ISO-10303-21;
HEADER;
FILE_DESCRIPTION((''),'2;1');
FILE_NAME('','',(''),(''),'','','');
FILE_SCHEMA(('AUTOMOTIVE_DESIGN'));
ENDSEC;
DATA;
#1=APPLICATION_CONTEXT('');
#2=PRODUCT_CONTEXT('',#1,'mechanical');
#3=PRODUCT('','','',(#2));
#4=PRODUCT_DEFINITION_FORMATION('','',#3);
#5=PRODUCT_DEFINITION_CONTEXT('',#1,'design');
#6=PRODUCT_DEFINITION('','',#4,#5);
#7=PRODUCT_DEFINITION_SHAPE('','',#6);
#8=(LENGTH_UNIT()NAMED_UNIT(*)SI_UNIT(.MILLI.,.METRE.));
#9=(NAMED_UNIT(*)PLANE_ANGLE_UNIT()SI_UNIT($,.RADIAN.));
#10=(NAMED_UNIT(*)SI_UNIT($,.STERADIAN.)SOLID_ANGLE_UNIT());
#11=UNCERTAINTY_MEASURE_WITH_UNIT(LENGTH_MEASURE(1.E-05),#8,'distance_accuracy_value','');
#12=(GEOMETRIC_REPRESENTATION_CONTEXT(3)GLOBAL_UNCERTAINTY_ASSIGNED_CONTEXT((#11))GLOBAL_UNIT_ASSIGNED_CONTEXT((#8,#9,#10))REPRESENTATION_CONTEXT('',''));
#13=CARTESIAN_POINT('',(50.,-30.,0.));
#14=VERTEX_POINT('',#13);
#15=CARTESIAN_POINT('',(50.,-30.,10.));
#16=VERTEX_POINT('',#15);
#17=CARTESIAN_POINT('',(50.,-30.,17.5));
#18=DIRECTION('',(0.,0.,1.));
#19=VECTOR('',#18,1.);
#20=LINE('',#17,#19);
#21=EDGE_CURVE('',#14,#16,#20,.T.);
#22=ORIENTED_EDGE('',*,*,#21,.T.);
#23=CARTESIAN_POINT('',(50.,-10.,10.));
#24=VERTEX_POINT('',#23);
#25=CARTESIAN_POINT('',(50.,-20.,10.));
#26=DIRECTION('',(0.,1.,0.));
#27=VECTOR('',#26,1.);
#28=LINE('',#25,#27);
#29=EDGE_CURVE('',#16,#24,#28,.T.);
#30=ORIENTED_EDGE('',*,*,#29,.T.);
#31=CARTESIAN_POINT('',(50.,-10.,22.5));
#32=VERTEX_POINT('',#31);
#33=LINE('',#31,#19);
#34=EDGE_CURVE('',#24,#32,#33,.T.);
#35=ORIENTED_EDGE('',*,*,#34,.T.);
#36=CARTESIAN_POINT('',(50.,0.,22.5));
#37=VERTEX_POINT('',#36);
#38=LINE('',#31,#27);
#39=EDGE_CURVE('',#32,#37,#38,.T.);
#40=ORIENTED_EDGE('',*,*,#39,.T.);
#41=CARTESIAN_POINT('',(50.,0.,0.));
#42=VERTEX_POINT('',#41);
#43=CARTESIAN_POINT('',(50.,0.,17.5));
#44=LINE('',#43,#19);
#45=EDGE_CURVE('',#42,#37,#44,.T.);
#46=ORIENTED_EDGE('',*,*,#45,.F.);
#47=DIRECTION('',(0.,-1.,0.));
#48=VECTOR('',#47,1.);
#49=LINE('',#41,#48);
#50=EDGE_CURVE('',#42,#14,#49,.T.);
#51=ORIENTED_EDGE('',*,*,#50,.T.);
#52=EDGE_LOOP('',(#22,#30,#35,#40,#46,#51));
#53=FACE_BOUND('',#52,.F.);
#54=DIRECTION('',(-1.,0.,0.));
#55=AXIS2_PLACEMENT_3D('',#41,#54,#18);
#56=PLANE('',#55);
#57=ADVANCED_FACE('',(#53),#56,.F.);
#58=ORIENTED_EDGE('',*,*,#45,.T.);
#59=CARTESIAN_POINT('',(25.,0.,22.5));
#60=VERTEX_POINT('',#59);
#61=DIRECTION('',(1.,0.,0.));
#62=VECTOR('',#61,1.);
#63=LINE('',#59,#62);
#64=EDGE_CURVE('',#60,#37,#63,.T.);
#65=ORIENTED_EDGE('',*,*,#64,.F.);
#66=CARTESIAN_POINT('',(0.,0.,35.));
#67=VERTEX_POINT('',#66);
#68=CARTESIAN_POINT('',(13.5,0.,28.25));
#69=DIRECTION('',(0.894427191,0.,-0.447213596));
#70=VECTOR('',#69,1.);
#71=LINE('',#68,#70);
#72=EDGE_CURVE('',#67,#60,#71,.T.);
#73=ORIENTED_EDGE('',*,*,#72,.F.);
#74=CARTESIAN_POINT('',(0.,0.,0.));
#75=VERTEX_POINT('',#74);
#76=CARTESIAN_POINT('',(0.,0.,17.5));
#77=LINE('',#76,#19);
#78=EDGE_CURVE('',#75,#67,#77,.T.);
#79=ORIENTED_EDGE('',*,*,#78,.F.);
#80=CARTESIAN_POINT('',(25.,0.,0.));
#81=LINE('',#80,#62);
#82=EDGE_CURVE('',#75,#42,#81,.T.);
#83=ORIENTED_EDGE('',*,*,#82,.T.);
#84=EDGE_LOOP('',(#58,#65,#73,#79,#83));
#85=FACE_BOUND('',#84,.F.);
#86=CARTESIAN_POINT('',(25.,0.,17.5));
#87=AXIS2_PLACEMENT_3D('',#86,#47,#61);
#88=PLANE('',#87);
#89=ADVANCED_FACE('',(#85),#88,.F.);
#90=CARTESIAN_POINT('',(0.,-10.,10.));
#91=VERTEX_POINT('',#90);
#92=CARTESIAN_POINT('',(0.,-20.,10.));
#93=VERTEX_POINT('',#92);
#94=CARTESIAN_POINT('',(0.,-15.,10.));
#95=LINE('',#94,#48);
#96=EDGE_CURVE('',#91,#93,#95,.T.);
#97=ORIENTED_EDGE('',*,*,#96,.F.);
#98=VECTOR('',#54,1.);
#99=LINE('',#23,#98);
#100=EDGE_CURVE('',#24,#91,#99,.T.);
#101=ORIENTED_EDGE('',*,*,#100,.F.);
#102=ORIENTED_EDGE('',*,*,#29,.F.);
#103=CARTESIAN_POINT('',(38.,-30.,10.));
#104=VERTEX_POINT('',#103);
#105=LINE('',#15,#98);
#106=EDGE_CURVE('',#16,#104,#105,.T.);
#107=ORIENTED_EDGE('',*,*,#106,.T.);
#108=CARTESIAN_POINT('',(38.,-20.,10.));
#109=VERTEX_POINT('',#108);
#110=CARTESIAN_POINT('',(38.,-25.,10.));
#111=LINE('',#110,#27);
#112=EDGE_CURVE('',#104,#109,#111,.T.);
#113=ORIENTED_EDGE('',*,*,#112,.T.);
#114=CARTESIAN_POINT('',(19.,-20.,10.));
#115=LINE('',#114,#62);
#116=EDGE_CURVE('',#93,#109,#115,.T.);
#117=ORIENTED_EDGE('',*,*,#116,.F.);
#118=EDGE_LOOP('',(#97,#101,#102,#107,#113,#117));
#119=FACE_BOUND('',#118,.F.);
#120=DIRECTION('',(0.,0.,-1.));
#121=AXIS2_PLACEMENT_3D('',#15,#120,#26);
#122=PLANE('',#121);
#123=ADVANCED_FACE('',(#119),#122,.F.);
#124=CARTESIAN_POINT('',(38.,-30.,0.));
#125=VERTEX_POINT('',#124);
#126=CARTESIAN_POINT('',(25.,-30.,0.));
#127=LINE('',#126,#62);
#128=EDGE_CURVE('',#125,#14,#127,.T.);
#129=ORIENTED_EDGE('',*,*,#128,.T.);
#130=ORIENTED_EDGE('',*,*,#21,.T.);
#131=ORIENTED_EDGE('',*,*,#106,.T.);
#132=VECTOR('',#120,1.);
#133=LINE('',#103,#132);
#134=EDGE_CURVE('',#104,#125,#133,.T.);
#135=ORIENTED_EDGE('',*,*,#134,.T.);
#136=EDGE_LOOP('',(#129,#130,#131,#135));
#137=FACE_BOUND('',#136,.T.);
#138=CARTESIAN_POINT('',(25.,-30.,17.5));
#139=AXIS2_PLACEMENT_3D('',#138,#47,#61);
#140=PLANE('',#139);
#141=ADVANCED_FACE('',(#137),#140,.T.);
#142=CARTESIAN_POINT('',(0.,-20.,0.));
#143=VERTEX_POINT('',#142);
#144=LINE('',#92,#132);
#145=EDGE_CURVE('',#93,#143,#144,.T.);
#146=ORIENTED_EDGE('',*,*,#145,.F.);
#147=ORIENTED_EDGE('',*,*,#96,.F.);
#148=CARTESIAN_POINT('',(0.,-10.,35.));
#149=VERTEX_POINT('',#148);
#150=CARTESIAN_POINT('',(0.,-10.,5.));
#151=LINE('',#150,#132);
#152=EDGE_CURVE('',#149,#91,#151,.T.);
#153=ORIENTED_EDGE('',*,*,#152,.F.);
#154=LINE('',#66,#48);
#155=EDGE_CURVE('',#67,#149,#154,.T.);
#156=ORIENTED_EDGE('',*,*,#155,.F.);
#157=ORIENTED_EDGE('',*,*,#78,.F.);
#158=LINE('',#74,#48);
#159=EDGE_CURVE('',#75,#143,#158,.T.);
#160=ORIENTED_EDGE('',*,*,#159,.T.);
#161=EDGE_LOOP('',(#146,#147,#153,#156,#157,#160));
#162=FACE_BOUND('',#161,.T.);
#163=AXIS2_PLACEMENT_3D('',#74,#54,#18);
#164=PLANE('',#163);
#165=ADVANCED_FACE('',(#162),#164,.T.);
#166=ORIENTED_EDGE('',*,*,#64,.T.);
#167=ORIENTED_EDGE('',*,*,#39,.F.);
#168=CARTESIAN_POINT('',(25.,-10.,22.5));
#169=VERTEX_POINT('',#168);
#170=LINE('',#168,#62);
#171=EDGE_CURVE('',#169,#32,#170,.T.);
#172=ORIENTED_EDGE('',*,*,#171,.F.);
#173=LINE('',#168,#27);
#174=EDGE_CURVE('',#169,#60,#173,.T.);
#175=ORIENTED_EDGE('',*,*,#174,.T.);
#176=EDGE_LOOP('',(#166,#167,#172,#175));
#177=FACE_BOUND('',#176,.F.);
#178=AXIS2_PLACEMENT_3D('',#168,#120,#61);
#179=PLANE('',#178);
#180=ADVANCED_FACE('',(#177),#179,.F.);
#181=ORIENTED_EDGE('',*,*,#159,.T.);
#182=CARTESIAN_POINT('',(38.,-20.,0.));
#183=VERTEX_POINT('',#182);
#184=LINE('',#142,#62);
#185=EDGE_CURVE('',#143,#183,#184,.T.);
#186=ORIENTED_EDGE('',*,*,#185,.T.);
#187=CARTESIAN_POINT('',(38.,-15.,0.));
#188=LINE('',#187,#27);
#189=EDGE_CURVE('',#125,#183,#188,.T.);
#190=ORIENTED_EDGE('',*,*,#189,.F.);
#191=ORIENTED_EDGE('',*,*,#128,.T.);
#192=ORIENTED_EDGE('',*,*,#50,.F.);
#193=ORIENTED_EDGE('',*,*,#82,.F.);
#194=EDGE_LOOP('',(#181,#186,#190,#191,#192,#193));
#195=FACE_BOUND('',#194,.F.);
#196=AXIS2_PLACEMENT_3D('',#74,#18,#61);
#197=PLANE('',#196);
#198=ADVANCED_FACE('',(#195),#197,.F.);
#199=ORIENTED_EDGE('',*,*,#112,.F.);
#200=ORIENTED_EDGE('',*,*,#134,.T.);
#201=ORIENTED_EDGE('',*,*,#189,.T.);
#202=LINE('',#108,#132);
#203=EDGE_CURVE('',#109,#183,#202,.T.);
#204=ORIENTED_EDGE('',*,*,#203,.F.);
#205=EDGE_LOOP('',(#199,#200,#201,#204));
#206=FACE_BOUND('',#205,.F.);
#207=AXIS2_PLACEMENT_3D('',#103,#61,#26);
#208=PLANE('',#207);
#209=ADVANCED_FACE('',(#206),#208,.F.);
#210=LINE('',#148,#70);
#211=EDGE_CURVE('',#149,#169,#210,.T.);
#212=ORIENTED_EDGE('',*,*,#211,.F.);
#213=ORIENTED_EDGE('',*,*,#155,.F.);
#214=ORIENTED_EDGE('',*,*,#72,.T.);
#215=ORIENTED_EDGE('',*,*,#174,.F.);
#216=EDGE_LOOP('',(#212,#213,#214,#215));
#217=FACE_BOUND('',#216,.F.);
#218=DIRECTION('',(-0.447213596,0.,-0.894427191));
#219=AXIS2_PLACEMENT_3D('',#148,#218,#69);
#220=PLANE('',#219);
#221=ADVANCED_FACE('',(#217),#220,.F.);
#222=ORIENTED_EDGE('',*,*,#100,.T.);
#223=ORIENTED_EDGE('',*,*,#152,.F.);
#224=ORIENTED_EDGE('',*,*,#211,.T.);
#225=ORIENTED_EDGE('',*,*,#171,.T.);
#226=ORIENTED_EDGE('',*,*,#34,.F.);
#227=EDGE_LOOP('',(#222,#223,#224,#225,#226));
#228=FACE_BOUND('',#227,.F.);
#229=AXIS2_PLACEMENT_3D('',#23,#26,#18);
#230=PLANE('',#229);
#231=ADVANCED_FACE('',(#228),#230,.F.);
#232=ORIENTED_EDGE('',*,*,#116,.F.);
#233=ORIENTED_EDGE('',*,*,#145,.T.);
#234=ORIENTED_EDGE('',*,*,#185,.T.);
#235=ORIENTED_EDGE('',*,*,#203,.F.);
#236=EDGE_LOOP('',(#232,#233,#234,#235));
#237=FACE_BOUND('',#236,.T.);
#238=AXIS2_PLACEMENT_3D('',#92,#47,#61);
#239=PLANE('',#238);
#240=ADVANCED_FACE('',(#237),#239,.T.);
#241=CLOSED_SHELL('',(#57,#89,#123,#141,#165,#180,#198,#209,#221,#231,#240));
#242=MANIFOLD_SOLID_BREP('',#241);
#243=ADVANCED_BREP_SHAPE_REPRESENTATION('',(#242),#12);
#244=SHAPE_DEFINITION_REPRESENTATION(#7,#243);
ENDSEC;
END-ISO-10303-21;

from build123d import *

# Parameters (mm, degrees)
F0_W     = 50
F0_H     = 35
F1_DEPTH = 30
F2_W     = 20
F2_H     = 25
F3_DEPTH = 50.001
F4_W     = 38
F4_H     = 10
F5_DEPTH = 10.001
F7_DEPTH = 10.001


with BuildPart() as f1:
    # F0 (on Front) → F1 (new body)
    with BuildSketch(Plane.XZ):
        with Locations((25, 17.5)):
            Rectangle(F0_W, F0_H)
    extrude(amount=F1_DEPTH)

    # F2 (on face) → F3 (cut, through all)
    with BuildSketch(Plane.YZ.offset(50)):
        with Locations((-20, 22.5)):
            Rectangle(F2_W, F2_H)
    extrude(amount=-F3_DEPTH, mode=Mode.SUBTRACT)

    # F4 (on face) → F5 (cut, through all)
    with BuildSketch(Plane.XY.offset(10)):
        with Locations((19, -25)):
            Rectangle(F4_W, F4_H)
    extrude(amount=-F5_DEPTH, mode=Mode.SUBTRACT)

    # F6 (on face) → F7 (cut, through all)
    with BuildSketch(Plane.XZ.offset(10)):
        Polygon((50, 35), (0, 35), (25, 22.5), (50, 22.5), align=None)
    extrude(amount=-F7_DEPTH, mode=Mode.SUBTRACT)


solid = f1.part
